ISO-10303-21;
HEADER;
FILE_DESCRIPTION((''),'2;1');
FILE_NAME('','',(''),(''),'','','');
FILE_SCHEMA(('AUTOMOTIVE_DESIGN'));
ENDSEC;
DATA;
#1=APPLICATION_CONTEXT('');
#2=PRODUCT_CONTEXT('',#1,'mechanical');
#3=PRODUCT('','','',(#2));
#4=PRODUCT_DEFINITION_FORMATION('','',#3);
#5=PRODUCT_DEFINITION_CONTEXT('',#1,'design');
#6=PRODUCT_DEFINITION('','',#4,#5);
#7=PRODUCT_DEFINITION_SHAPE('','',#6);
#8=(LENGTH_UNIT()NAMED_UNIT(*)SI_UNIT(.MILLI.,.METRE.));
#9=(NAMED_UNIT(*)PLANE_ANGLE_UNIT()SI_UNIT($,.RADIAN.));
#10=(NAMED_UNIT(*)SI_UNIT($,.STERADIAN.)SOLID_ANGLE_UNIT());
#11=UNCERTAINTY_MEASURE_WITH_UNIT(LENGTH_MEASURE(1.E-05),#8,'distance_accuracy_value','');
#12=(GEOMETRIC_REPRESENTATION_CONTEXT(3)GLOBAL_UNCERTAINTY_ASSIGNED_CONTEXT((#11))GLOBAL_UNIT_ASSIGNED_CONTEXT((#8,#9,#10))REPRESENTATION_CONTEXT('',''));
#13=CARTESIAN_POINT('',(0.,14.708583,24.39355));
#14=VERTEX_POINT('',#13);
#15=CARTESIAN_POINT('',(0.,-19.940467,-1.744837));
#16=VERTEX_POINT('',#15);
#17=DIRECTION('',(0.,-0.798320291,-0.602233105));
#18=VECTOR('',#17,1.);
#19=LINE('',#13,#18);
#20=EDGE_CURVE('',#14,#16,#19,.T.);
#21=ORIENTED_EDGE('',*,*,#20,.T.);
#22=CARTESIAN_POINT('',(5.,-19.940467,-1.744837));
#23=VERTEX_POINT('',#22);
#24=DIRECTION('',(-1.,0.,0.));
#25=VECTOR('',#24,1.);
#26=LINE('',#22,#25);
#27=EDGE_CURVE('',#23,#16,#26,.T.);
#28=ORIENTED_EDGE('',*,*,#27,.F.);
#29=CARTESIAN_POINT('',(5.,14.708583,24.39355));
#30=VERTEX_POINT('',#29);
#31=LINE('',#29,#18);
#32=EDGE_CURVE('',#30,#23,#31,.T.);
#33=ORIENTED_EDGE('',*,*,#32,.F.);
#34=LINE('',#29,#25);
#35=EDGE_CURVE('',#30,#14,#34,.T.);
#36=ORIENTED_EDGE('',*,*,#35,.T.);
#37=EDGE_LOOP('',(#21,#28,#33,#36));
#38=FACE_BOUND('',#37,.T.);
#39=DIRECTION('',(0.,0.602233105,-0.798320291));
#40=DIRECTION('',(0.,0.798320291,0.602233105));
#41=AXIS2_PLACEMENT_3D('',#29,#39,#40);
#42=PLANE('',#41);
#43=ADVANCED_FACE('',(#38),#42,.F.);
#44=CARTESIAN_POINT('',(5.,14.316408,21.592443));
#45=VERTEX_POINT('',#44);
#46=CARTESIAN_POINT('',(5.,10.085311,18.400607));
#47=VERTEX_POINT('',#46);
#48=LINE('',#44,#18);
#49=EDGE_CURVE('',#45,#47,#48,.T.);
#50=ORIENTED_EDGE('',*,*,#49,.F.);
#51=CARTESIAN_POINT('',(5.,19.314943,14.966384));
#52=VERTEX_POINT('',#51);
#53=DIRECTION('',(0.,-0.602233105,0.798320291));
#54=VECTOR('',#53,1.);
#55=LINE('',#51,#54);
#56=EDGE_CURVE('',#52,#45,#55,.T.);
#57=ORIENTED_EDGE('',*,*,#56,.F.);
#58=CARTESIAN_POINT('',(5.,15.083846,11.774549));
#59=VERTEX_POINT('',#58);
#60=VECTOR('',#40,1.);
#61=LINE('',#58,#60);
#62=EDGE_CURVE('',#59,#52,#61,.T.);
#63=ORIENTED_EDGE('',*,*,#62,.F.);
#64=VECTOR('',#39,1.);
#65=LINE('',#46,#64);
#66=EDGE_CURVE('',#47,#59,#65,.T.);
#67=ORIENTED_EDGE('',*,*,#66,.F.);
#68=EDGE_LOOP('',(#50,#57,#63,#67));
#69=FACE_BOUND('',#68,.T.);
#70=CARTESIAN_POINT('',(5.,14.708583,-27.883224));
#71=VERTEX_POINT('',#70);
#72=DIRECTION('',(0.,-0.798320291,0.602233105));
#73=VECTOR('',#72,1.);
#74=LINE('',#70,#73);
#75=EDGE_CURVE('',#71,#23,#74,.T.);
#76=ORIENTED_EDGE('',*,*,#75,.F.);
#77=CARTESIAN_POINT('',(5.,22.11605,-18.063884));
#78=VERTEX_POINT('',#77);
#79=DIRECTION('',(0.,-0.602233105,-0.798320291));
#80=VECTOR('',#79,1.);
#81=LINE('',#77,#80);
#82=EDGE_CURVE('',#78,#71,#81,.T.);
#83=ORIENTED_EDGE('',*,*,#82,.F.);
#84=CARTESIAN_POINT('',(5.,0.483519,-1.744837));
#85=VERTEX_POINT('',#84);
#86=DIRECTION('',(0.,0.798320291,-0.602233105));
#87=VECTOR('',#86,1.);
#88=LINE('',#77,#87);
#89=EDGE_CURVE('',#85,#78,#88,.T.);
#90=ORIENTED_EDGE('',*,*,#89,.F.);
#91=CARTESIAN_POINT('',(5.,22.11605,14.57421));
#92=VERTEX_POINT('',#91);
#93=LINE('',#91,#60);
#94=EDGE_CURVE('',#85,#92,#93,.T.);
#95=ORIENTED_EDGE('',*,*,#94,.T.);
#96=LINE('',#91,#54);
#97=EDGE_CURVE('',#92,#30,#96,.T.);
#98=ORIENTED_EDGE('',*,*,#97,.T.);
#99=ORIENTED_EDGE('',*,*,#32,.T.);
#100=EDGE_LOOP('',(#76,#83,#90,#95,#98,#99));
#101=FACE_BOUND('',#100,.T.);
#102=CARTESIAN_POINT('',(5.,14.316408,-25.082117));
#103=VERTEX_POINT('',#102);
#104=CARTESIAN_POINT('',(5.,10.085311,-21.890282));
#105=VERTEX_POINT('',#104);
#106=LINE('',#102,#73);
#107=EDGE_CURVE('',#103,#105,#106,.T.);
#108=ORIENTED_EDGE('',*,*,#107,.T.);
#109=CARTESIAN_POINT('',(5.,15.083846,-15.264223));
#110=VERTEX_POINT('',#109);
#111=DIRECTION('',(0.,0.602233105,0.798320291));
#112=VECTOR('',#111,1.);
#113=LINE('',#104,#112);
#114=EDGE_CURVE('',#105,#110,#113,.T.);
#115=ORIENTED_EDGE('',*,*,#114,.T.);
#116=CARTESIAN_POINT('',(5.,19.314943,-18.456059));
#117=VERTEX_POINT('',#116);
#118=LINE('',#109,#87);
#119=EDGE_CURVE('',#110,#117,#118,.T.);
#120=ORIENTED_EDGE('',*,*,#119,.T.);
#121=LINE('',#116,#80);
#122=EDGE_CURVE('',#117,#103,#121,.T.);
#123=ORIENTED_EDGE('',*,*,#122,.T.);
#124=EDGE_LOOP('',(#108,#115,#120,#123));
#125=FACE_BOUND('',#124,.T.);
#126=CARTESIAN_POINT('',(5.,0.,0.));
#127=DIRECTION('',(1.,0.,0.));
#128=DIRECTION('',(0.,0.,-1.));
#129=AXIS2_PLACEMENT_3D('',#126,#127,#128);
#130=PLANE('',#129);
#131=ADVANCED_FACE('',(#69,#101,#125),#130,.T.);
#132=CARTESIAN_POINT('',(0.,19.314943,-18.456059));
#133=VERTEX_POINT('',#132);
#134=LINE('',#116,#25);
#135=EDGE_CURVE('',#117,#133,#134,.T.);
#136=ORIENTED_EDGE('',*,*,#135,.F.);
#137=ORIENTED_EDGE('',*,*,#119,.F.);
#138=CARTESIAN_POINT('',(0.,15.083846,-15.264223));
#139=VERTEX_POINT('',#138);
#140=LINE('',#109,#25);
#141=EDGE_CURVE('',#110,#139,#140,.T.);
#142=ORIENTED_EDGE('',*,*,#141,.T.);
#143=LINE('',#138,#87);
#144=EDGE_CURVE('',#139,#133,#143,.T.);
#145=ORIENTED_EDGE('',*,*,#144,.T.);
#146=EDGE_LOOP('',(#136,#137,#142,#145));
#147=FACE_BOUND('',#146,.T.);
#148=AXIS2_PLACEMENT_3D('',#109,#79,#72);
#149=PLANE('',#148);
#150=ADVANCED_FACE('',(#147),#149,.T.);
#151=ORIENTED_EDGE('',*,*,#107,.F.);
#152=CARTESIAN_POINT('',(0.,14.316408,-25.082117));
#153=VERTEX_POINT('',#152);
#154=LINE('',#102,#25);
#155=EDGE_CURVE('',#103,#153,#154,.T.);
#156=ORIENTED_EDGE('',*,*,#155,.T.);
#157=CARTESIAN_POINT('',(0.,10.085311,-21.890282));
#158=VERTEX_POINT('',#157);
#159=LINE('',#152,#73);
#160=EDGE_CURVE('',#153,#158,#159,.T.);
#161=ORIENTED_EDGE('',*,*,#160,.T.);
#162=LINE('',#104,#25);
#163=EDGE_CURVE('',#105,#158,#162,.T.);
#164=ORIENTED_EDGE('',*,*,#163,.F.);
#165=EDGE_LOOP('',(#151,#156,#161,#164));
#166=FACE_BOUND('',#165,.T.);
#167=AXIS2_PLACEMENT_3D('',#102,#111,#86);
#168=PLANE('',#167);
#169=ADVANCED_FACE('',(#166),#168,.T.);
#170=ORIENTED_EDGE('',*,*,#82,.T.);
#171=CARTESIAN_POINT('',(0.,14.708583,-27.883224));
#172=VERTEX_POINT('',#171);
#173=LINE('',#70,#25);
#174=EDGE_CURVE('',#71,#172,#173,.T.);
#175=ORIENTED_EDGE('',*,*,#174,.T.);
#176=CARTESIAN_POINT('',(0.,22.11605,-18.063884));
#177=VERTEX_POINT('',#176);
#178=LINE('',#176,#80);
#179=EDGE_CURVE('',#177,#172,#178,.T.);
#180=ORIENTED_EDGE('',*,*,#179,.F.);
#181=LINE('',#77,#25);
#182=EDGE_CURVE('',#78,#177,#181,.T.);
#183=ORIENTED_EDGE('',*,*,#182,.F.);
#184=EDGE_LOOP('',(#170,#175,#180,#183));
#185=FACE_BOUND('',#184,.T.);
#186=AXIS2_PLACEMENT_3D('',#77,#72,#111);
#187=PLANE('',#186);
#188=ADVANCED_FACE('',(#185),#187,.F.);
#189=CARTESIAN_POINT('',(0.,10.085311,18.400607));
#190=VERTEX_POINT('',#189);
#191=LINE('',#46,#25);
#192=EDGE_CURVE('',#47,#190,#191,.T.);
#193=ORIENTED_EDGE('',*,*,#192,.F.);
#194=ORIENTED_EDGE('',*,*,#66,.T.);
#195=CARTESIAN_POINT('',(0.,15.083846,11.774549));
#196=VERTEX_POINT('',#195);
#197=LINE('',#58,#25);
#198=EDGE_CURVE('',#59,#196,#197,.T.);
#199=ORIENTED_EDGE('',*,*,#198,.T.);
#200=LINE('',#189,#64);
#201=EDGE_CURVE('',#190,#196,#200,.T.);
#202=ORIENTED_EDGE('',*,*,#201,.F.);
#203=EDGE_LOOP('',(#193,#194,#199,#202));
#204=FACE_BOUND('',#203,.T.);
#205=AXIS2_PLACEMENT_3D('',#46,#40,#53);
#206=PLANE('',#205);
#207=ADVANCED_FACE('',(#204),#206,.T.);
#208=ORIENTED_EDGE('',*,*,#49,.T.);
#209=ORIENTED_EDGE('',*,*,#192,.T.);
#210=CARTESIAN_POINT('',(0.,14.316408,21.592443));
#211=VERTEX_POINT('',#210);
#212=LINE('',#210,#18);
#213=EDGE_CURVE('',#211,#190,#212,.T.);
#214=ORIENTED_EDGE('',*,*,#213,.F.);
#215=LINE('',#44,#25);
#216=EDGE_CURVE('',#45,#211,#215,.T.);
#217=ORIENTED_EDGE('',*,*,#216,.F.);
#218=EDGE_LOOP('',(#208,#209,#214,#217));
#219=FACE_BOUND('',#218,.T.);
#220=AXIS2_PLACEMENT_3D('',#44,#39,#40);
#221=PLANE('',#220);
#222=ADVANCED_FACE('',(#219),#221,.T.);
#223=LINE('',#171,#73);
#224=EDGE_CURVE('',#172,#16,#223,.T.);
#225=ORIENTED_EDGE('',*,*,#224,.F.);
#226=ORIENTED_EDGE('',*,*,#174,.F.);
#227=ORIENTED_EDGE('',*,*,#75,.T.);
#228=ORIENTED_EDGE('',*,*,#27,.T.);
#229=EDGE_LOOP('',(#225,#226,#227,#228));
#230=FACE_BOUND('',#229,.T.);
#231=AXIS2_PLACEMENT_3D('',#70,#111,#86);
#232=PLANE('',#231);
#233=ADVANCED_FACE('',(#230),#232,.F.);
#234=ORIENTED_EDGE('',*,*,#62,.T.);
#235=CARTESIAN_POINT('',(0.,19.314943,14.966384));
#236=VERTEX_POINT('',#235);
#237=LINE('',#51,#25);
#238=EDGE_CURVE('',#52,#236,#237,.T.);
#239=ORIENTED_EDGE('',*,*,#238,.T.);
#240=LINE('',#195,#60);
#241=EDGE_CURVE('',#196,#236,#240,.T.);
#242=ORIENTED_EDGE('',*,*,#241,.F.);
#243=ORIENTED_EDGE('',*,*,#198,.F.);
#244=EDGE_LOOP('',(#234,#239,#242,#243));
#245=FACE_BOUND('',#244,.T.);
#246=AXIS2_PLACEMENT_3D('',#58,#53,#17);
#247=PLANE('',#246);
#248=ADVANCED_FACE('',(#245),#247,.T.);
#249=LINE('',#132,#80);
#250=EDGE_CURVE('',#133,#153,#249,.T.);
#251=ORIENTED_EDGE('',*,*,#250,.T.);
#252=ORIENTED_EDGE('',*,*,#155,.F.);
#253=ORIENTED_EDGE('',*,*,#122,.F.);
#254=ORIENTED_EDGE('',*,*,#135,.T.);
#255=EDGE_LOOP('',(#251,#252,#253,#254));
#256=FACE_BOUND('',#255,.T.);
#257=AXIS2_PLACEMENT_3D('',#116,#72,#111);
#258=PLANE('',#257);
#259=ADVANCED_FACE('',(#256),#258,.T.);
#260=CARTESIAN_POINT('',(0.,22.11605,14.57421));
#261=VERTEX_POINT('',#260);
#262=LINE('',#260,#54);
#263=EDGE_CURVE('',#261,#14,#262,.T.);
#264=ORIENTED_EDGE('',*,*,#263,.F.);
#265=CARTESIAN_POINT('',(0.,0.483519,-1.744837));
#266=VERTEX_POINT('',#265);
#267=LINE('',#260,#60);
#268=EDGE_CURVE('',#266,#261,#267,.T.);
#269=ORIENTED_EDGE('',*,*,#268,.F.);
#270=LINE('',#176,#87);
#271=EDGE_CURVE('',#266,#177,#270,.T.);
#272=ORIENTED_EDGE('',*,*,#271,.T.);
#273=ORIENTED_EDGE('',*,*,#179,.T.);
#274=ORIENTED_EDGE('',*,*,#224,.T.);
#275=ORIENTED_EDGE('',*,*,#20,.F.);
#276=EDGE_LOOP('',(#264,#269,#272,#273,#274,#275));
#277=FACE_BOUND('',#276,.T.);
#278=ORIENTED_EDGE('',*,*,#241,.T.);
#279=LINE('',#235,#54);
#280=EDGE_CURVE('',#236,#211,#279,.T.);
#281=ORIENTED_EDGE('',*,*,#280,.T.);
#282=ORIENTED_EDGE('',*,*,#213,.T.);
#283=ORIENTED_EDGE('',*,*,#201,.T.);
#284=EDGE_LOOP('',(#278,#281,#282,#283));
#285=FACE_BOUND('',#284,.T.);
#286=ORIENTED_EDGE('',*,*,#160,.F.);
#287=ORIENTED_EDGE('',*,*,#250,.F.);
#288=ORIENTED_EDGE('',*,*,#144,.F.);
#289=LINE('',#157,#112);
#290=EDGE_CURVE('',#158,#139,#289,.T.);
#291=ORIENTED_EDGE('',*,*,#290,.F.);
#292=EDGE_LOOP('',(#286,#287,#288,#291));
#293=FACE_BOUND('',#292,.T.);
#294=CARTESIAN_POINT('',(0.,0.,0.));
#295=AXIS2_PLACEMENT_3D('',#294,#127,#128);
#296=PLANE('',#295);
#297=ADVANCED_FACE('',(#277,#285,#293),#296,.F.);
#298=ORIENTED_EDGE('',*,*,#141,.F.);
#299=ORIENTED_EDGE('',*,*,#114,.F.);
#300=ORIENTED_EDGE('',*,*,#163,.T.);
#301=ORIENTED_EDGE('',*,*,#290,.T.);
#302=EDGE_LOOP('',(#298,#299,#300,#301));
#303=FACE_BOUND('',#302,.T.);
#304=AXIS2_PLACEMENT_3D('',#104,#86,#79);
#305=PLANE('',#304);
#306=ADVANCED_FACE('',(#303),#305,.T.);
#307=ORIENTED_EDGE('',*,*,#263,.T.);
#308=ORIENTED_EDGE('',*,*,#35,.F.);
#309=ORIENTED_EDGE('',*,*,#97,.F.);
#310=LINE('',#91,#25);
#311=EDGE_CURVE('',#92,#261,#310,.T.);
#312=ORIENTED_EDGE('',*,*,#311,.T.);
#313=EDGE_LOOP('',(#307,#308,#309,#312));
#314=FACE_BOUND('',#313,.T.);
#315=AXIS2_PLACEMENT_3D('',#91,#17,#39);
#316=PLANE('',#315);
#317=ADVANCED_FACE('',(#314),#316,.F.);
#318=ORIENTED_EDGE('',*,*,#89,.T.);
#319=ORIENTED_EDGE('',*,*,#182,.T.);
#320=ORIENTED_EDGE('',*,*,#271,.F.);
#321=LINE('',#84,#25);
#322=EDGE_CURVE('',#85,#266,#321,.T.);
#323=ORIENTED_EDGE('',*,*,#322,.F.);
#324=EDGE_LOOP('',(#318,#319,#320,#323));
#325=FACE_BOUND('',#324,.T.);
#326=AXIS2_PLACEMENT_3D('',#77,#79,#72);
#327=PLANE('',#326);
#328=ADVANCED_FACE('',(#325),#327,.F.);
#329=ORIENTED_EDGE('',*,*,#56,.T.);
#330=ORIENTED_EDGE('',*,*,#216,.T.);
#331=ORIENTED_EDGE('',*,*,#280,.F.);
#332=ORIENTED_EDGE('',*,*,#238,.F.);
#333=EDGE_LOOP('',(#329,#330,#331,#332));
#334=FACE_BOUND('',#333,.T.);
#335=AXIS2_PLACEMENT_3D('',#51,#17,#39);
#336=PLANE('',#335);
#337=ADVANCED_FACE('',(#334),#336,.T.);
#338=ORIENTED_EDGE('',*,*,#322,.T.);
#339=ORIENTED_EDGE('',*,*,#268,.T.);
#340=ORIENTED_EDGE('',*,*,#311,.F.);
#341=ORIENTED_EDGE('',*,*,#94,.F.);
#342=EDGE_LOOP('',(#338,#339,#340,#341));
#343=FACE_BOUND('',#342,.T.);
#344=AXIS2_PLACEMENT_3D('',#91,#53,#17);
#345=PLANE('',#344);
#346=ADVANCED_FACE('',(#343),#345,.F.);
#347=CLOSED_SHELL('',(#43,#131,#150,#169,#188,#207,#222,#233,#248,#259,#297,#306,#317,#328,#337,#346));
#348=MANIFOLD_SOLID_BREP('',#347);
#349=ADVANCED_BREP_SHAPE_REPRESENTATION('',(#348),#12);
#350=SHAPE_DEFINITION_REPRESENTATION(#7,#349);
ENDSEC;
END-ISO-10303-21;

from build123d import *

# Parameters (mm, degrees)
EXTRUDE_1_DEPTH     = 5
CUT_EXTRUDE_1_DEPTH = 5


with BuildPart() as part:
    # 草图3 → 凸台-拉伸1 (new body)
    with BuildSketch(Plane(origin=(0, 0, 0), x_dir=(0, 0, -1), z_dir=(1, 0, 0))):
        Polygon((-14.574209951, 22.116049871), (1.744837218, 0.483518594), (1.744837218, -19.94046656), (-24.39354953, 14.708582677), align=None)
    extrude(amount=EXTRUDE_1_DEPTH)

    # 草图2 → 切除-拉伸1 (cut)
    with BuildSketch(Plane(origin=(0, 0, 0), x_dir=(0, 0, -1), z_dir=(1, 0, 0))):
        Polygon((-18.40060728, 10.085310763), (-11.774548865, 15.083845536), (-14.966384322, 19.314943078), (-21.592442737, 14.316408305), align=None)
    extrude(amount=CUT_EXTRUDE_1_DEPTH, mode=Mode.SUBTRACT)

    # 镜向1: part across plane


with BuildPart() as part_1:
    add(part.part)
    add(part.part.mirror(Plane(origin=(5, 0.483518594, -1.744837218), x_dir=(1, 0, 0), z_dir=(0, 0, 1))))


solid = part_1.part
